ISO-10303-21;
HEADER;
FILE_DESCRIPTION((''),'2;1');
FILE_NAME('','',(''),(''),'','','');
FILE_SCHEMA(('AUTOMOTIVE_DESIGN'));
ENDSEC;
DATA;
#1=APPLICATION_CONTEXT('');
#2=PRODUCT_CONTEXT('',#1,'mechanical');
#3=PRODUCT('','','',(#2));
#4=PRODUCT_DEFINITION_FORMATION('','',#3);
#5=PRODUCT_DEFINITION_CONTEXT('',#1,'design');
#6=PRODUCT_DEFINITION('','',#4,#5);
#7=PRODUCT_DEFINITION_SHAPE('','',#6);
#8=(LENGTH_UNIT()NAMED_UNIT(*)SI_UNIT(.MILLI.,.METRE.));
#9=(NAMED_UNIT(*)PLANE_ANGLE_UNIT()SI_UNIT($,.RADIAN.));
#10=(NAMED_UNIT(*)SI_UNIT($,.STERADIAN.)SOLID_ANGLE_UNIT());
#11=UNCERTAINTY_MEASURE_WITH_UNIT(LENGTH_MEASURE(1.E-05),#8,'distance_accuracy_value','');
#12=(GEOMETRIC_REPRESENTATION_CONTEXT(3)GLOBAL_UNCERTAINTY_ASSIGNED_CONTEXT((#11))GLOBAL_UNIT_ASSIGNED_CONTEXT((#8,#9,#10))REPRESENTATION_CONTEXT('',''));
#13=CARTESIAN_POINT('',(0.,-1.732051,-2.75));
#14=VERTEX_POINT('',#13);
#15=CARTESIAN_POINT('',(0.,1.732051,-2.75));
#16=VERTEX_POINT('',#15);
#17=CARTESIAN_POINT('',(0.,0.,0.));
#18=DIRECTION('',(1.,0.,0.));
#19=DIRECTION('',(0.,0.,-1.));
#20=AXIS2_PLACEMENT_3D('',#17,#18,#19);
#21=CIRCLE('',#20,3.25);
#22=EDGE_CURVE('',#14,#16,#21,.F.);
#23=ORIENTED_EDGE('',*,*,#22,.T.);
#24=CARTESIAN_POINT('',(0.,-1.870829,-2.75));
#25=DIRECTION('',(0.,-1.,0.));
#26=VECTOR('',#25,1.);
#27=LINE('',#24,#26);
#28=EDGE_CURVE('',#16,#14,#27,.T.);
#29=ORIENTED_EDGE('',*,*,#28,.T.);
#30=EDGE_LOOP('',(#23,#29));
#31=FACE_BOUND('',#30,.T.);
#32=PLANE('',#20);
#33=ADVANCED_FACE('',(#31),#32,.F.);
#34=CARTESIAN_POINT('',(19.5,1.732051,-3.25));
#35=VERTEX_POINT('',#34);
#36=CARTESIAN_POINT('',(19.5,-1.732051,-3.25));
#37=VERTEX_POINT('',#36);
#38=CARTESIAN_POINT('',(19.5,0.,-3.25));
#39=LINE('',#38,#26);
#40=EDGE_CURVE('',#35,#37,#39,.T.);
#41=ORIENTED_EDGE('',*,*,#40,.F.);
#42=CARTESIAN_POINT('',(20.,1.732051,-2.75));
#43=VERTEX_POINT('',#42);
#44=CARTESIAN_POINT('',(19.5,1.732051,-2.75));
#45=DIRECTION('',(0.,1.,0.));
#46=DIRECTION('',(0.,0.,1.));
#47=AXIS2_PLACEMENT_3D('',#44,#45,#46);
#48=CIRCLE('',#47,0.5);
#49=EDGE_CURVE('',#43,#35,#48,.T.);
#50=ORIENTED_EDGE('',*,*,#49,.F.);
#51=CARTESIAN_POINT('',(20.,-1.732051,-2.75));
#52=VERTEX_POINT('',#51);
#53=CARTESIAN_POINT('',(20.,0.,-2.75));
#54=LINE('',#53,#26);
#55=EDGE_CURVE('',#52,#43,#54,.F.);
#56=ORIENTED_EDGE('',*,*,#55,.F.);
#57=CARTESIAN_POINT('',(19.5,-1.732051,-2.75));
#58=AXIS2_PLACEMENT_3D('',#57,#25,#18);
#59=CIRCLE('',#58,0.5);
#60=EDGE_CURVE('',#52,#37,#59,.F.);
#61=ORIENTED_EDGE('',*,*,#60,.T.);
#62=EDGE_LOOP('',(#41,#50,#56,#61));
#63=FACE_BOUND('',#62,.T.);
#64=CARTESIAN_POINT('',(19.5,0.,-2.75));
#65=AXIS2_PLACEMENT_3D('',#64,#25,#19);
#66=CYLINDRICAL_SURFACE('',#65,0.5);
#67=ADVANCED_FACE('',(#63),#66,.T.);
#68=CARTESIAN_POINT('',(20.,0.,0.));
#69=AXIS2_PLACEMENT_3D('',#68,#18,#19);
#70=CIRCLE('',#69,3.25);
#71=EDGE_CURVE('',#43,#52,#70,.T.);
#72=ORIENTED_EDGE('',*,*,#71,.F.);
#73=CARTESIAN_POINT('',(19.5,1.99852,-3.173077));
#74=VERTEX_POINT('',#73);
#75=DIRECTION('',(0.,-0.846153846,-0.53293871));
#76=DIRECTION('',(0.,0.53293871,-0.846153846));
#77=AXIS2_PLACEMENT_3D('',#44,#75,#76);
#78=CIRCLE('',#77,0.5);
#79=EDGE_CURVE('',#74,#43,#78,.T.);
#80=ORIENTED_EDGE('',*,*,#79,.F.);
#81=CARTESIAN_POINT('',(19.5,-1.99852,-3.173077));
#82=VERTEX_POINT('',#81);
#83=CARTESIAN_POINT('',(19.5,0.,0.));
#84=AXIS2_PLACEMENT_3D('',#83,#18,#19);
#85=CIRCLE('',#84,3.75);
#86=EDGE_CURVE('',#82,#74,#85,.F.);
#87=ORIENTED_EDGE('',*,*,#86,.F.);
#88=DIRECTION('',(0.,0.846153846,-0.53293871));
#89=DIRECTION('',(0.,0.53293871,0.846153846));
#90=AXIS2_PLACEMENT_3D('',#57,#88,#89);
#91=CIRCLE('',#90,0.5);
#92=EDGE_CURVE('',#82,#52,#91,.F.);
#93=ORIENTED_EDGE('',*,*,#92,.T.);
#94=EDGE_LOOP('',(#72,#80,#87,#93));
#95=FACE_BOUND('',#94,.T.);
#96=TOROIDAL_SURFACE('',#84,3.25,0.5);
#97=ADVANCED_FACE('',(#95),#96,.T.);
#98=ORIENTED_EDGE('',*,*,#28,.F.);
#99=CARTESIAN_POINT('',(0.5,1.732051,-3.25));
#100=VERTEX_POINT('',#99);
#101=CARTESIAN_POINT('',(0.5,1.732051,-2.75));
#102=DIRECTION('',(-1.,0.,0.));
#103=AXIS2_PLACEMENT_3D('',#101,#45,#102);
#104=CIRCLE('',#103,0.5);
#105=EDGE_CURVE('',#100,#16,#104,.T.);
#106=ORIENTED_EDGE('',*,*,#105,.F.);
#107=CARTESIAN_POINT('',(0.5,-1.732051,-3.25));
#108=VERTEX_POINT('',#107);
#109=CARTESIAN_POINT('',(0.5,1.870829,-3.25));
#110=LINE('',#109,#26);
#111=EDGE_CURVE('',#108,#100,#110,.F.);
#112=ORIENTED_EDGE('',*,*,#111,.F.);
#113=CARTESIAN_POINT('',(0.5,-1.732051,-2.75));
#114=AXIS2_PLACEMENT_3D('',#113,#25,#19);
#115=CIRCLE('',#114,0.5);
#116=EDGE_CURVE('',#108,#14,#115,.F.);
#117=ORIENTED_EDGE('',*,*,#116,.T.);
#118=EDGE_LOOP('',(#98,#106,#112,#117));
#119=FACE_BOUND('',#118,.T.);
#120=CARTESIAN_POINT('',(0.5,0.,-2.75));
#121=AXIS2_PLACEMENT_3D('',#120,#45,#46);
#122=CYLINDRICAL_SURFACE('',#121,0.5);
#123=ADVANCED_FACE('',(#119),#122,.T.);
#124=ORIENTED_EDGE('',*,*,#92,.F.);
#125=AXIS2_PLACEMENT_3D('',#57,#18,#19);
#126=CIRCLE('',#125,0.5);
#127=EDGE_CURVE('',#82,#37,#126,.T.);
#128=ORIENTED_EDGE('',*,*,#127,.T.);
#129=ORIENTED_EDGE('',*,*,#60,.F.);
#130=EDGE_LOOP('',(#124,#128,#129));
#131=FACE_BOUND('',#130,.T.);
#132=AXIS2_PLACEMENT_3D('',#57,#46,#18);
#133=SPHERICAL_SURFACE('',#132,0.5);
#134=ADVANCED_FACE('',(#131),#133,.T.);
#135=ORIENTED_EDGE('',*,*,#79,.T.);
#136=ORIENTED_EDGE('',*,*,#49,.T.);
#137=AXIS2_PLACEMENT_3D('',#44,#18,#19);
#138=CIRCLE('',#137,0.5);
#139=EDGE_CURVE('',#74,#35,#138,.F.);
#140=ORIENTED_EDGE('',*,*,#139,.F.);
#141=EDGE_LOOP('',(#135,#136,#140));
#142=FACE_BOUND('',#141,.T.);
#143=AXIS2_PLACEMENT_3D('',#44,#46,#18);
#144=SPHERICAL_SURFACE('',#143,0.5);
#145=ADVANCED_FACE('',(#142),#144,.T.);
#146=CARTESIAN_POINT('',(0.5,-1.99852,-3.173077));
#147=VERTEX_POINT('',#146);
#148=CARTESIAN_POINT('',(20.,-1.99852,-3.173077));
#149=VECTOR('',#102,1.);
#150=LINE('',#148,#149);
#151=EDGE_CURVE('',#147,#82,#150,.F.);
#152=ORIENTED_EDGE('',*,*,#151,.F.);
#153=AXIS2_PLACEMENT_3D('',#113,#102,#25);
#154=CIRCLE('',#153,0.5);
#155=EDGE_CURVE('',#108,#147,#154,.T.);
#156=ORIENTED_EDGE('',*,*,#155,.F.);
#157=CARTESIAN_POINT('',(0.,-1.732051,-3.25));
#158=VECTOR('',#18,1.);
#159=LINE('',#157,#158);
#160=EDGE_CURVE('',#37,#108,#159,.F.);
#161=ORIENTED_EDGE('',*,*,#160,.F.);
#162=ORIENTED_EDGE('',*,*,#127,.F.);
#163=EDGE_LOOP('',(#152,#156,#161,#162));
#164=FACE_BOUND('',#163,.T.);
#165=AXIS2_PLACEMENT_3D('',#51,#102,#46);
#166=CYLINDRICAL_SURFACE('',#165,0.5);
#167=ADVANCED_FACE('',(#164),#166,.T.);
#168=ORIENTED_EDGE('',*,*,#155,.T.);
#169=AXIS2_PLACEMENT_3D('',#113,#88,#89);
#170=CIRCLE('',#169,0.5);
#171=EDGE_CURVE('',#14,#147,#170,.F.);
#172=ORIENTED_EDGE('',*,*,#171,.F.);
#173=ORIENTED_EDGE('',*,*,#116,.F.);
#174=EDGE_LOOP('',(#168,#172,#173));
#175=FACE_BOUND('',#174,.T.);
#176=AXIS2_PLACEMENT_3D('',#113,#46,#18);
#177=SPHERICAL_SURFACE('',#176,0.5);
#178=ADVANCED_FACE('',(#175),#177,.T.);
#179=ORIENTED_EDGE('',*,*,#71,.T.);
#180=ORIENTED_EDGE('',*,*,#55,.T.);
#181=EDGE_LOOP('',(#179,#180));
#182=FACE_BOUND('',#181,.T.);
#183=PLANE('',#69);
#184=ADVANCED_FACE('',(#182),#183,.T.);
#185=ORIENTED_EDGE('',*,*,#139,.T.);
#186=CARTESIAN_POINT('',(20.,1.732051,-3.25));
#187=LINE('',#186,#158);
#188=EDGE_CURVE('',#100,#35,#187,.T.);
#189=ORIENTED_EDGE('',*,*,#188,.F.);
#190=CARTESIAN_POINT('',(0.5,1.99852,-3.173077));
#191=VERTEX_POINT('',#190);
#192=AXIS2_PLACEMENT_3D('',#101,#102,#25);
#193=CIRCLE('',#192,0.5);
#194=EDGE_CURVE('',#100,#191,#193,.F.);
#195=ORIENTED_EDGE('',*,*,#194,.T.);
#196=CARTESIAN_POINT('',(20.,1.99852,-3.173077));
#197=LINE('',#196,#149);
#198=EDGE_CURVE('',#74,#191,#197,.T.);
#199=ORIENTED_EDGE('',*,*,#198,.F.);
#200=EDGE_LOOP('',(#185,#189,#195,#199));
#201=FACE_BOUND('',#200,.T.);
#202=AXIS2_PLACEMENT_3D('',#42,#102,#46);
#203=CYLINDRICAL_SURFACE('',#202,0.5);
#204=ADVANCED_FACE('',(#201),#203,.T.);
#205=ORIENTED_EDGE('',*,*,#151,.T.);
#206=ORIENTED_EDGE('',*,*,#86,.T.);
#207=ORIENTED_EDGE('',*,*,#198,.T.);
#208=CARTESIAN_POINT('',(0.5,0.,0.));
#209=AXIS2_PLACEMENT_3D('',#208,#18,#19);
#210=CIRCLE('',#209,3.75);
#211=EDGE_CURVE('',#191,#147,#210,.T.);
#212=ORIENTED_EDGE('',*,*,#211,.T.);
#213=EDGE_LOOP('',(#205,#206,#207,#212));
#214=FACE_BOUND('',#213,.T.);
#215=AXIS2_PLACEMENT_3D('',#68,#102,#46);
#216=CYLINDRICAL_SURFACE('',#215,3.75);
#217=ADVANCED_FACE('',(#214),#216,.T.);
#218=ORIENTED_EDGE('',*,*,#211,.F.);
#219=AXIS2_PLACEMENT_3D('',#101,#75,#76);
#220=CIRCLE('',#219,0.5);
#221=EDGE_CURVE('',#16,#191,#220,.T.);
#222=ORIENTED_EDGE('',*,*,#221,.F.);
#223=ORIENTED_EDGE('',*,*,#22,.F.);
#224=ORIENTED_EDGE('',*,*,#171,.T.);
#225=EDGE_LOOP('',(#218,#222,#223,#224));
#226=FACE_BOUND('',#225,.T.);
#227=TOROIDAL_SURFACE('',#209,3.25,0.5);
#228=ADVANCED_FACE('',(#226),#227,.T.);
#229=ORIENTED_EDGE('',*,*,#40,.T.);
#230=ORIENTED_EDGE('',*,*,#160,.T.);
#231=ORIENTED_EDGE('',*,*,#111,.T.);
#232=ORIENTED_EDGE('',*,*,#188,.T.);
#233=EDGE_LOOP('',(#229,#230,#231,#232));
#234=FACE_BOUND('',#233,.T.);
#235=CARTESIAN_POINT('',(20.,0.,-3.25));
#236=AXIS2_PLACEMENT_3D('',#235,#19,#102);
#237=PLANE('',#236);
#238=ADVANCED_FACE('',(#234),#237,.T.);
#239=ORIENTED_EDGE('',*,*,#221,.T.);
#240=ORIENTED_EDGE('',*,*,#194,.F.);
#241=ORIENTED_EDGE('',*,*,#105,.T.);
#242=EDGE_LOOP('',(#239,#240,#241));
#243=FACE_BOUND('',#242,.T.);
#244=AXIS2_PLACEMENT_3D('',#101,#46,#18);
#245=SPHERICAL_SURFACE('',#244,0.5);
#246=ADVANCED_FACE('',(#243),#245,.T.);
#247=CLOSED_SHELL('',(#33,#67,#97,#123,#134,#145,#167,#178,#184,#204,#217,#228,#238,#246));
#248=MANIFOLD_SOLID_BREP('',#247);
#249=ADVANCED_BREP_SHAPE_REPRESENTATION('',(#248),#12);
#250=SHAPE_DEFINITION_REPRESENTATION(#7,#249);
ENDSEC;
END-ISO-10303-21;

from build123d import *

# Parameters (mm, degrees)
BOSS_EXTRUDE1_DEPTH = 20
FILLET1_R           = 0.5


with BuildPart() as part:
    # Sketch1 → Boss-Extrude1 (new body)
    with BuildSketch(Plane(origin=(0, 0, 0), x_dir=(0, 0, -1), z_dir=(1, 0, 0))):
        with BuildLine():
            Line((3.25, -1.870828693), (3.25, 1.870828693))
            ThreePointArc((3.25, 1.870828693), (-3.75, 0), (3.25, -1.870828693))
        make_face()
    extrude(amount=BOSS_EXTRUDE1_DEPTH)

    # Fillet1
    fillet1_edges = [part.edges().sort_by_distance(p)[0] for p in [
        (0, 0, 3.75),
        (0, 0, -3.25),
        (20, 0, -3.25),
        (10, -1.870828693, -3.25),
        (10, 1.870828693, -3.25),
        (20, 0, 3.75),
    ]]
    fillet(fillet1_edges, radius=FILLET1_R)


solid = part.part
